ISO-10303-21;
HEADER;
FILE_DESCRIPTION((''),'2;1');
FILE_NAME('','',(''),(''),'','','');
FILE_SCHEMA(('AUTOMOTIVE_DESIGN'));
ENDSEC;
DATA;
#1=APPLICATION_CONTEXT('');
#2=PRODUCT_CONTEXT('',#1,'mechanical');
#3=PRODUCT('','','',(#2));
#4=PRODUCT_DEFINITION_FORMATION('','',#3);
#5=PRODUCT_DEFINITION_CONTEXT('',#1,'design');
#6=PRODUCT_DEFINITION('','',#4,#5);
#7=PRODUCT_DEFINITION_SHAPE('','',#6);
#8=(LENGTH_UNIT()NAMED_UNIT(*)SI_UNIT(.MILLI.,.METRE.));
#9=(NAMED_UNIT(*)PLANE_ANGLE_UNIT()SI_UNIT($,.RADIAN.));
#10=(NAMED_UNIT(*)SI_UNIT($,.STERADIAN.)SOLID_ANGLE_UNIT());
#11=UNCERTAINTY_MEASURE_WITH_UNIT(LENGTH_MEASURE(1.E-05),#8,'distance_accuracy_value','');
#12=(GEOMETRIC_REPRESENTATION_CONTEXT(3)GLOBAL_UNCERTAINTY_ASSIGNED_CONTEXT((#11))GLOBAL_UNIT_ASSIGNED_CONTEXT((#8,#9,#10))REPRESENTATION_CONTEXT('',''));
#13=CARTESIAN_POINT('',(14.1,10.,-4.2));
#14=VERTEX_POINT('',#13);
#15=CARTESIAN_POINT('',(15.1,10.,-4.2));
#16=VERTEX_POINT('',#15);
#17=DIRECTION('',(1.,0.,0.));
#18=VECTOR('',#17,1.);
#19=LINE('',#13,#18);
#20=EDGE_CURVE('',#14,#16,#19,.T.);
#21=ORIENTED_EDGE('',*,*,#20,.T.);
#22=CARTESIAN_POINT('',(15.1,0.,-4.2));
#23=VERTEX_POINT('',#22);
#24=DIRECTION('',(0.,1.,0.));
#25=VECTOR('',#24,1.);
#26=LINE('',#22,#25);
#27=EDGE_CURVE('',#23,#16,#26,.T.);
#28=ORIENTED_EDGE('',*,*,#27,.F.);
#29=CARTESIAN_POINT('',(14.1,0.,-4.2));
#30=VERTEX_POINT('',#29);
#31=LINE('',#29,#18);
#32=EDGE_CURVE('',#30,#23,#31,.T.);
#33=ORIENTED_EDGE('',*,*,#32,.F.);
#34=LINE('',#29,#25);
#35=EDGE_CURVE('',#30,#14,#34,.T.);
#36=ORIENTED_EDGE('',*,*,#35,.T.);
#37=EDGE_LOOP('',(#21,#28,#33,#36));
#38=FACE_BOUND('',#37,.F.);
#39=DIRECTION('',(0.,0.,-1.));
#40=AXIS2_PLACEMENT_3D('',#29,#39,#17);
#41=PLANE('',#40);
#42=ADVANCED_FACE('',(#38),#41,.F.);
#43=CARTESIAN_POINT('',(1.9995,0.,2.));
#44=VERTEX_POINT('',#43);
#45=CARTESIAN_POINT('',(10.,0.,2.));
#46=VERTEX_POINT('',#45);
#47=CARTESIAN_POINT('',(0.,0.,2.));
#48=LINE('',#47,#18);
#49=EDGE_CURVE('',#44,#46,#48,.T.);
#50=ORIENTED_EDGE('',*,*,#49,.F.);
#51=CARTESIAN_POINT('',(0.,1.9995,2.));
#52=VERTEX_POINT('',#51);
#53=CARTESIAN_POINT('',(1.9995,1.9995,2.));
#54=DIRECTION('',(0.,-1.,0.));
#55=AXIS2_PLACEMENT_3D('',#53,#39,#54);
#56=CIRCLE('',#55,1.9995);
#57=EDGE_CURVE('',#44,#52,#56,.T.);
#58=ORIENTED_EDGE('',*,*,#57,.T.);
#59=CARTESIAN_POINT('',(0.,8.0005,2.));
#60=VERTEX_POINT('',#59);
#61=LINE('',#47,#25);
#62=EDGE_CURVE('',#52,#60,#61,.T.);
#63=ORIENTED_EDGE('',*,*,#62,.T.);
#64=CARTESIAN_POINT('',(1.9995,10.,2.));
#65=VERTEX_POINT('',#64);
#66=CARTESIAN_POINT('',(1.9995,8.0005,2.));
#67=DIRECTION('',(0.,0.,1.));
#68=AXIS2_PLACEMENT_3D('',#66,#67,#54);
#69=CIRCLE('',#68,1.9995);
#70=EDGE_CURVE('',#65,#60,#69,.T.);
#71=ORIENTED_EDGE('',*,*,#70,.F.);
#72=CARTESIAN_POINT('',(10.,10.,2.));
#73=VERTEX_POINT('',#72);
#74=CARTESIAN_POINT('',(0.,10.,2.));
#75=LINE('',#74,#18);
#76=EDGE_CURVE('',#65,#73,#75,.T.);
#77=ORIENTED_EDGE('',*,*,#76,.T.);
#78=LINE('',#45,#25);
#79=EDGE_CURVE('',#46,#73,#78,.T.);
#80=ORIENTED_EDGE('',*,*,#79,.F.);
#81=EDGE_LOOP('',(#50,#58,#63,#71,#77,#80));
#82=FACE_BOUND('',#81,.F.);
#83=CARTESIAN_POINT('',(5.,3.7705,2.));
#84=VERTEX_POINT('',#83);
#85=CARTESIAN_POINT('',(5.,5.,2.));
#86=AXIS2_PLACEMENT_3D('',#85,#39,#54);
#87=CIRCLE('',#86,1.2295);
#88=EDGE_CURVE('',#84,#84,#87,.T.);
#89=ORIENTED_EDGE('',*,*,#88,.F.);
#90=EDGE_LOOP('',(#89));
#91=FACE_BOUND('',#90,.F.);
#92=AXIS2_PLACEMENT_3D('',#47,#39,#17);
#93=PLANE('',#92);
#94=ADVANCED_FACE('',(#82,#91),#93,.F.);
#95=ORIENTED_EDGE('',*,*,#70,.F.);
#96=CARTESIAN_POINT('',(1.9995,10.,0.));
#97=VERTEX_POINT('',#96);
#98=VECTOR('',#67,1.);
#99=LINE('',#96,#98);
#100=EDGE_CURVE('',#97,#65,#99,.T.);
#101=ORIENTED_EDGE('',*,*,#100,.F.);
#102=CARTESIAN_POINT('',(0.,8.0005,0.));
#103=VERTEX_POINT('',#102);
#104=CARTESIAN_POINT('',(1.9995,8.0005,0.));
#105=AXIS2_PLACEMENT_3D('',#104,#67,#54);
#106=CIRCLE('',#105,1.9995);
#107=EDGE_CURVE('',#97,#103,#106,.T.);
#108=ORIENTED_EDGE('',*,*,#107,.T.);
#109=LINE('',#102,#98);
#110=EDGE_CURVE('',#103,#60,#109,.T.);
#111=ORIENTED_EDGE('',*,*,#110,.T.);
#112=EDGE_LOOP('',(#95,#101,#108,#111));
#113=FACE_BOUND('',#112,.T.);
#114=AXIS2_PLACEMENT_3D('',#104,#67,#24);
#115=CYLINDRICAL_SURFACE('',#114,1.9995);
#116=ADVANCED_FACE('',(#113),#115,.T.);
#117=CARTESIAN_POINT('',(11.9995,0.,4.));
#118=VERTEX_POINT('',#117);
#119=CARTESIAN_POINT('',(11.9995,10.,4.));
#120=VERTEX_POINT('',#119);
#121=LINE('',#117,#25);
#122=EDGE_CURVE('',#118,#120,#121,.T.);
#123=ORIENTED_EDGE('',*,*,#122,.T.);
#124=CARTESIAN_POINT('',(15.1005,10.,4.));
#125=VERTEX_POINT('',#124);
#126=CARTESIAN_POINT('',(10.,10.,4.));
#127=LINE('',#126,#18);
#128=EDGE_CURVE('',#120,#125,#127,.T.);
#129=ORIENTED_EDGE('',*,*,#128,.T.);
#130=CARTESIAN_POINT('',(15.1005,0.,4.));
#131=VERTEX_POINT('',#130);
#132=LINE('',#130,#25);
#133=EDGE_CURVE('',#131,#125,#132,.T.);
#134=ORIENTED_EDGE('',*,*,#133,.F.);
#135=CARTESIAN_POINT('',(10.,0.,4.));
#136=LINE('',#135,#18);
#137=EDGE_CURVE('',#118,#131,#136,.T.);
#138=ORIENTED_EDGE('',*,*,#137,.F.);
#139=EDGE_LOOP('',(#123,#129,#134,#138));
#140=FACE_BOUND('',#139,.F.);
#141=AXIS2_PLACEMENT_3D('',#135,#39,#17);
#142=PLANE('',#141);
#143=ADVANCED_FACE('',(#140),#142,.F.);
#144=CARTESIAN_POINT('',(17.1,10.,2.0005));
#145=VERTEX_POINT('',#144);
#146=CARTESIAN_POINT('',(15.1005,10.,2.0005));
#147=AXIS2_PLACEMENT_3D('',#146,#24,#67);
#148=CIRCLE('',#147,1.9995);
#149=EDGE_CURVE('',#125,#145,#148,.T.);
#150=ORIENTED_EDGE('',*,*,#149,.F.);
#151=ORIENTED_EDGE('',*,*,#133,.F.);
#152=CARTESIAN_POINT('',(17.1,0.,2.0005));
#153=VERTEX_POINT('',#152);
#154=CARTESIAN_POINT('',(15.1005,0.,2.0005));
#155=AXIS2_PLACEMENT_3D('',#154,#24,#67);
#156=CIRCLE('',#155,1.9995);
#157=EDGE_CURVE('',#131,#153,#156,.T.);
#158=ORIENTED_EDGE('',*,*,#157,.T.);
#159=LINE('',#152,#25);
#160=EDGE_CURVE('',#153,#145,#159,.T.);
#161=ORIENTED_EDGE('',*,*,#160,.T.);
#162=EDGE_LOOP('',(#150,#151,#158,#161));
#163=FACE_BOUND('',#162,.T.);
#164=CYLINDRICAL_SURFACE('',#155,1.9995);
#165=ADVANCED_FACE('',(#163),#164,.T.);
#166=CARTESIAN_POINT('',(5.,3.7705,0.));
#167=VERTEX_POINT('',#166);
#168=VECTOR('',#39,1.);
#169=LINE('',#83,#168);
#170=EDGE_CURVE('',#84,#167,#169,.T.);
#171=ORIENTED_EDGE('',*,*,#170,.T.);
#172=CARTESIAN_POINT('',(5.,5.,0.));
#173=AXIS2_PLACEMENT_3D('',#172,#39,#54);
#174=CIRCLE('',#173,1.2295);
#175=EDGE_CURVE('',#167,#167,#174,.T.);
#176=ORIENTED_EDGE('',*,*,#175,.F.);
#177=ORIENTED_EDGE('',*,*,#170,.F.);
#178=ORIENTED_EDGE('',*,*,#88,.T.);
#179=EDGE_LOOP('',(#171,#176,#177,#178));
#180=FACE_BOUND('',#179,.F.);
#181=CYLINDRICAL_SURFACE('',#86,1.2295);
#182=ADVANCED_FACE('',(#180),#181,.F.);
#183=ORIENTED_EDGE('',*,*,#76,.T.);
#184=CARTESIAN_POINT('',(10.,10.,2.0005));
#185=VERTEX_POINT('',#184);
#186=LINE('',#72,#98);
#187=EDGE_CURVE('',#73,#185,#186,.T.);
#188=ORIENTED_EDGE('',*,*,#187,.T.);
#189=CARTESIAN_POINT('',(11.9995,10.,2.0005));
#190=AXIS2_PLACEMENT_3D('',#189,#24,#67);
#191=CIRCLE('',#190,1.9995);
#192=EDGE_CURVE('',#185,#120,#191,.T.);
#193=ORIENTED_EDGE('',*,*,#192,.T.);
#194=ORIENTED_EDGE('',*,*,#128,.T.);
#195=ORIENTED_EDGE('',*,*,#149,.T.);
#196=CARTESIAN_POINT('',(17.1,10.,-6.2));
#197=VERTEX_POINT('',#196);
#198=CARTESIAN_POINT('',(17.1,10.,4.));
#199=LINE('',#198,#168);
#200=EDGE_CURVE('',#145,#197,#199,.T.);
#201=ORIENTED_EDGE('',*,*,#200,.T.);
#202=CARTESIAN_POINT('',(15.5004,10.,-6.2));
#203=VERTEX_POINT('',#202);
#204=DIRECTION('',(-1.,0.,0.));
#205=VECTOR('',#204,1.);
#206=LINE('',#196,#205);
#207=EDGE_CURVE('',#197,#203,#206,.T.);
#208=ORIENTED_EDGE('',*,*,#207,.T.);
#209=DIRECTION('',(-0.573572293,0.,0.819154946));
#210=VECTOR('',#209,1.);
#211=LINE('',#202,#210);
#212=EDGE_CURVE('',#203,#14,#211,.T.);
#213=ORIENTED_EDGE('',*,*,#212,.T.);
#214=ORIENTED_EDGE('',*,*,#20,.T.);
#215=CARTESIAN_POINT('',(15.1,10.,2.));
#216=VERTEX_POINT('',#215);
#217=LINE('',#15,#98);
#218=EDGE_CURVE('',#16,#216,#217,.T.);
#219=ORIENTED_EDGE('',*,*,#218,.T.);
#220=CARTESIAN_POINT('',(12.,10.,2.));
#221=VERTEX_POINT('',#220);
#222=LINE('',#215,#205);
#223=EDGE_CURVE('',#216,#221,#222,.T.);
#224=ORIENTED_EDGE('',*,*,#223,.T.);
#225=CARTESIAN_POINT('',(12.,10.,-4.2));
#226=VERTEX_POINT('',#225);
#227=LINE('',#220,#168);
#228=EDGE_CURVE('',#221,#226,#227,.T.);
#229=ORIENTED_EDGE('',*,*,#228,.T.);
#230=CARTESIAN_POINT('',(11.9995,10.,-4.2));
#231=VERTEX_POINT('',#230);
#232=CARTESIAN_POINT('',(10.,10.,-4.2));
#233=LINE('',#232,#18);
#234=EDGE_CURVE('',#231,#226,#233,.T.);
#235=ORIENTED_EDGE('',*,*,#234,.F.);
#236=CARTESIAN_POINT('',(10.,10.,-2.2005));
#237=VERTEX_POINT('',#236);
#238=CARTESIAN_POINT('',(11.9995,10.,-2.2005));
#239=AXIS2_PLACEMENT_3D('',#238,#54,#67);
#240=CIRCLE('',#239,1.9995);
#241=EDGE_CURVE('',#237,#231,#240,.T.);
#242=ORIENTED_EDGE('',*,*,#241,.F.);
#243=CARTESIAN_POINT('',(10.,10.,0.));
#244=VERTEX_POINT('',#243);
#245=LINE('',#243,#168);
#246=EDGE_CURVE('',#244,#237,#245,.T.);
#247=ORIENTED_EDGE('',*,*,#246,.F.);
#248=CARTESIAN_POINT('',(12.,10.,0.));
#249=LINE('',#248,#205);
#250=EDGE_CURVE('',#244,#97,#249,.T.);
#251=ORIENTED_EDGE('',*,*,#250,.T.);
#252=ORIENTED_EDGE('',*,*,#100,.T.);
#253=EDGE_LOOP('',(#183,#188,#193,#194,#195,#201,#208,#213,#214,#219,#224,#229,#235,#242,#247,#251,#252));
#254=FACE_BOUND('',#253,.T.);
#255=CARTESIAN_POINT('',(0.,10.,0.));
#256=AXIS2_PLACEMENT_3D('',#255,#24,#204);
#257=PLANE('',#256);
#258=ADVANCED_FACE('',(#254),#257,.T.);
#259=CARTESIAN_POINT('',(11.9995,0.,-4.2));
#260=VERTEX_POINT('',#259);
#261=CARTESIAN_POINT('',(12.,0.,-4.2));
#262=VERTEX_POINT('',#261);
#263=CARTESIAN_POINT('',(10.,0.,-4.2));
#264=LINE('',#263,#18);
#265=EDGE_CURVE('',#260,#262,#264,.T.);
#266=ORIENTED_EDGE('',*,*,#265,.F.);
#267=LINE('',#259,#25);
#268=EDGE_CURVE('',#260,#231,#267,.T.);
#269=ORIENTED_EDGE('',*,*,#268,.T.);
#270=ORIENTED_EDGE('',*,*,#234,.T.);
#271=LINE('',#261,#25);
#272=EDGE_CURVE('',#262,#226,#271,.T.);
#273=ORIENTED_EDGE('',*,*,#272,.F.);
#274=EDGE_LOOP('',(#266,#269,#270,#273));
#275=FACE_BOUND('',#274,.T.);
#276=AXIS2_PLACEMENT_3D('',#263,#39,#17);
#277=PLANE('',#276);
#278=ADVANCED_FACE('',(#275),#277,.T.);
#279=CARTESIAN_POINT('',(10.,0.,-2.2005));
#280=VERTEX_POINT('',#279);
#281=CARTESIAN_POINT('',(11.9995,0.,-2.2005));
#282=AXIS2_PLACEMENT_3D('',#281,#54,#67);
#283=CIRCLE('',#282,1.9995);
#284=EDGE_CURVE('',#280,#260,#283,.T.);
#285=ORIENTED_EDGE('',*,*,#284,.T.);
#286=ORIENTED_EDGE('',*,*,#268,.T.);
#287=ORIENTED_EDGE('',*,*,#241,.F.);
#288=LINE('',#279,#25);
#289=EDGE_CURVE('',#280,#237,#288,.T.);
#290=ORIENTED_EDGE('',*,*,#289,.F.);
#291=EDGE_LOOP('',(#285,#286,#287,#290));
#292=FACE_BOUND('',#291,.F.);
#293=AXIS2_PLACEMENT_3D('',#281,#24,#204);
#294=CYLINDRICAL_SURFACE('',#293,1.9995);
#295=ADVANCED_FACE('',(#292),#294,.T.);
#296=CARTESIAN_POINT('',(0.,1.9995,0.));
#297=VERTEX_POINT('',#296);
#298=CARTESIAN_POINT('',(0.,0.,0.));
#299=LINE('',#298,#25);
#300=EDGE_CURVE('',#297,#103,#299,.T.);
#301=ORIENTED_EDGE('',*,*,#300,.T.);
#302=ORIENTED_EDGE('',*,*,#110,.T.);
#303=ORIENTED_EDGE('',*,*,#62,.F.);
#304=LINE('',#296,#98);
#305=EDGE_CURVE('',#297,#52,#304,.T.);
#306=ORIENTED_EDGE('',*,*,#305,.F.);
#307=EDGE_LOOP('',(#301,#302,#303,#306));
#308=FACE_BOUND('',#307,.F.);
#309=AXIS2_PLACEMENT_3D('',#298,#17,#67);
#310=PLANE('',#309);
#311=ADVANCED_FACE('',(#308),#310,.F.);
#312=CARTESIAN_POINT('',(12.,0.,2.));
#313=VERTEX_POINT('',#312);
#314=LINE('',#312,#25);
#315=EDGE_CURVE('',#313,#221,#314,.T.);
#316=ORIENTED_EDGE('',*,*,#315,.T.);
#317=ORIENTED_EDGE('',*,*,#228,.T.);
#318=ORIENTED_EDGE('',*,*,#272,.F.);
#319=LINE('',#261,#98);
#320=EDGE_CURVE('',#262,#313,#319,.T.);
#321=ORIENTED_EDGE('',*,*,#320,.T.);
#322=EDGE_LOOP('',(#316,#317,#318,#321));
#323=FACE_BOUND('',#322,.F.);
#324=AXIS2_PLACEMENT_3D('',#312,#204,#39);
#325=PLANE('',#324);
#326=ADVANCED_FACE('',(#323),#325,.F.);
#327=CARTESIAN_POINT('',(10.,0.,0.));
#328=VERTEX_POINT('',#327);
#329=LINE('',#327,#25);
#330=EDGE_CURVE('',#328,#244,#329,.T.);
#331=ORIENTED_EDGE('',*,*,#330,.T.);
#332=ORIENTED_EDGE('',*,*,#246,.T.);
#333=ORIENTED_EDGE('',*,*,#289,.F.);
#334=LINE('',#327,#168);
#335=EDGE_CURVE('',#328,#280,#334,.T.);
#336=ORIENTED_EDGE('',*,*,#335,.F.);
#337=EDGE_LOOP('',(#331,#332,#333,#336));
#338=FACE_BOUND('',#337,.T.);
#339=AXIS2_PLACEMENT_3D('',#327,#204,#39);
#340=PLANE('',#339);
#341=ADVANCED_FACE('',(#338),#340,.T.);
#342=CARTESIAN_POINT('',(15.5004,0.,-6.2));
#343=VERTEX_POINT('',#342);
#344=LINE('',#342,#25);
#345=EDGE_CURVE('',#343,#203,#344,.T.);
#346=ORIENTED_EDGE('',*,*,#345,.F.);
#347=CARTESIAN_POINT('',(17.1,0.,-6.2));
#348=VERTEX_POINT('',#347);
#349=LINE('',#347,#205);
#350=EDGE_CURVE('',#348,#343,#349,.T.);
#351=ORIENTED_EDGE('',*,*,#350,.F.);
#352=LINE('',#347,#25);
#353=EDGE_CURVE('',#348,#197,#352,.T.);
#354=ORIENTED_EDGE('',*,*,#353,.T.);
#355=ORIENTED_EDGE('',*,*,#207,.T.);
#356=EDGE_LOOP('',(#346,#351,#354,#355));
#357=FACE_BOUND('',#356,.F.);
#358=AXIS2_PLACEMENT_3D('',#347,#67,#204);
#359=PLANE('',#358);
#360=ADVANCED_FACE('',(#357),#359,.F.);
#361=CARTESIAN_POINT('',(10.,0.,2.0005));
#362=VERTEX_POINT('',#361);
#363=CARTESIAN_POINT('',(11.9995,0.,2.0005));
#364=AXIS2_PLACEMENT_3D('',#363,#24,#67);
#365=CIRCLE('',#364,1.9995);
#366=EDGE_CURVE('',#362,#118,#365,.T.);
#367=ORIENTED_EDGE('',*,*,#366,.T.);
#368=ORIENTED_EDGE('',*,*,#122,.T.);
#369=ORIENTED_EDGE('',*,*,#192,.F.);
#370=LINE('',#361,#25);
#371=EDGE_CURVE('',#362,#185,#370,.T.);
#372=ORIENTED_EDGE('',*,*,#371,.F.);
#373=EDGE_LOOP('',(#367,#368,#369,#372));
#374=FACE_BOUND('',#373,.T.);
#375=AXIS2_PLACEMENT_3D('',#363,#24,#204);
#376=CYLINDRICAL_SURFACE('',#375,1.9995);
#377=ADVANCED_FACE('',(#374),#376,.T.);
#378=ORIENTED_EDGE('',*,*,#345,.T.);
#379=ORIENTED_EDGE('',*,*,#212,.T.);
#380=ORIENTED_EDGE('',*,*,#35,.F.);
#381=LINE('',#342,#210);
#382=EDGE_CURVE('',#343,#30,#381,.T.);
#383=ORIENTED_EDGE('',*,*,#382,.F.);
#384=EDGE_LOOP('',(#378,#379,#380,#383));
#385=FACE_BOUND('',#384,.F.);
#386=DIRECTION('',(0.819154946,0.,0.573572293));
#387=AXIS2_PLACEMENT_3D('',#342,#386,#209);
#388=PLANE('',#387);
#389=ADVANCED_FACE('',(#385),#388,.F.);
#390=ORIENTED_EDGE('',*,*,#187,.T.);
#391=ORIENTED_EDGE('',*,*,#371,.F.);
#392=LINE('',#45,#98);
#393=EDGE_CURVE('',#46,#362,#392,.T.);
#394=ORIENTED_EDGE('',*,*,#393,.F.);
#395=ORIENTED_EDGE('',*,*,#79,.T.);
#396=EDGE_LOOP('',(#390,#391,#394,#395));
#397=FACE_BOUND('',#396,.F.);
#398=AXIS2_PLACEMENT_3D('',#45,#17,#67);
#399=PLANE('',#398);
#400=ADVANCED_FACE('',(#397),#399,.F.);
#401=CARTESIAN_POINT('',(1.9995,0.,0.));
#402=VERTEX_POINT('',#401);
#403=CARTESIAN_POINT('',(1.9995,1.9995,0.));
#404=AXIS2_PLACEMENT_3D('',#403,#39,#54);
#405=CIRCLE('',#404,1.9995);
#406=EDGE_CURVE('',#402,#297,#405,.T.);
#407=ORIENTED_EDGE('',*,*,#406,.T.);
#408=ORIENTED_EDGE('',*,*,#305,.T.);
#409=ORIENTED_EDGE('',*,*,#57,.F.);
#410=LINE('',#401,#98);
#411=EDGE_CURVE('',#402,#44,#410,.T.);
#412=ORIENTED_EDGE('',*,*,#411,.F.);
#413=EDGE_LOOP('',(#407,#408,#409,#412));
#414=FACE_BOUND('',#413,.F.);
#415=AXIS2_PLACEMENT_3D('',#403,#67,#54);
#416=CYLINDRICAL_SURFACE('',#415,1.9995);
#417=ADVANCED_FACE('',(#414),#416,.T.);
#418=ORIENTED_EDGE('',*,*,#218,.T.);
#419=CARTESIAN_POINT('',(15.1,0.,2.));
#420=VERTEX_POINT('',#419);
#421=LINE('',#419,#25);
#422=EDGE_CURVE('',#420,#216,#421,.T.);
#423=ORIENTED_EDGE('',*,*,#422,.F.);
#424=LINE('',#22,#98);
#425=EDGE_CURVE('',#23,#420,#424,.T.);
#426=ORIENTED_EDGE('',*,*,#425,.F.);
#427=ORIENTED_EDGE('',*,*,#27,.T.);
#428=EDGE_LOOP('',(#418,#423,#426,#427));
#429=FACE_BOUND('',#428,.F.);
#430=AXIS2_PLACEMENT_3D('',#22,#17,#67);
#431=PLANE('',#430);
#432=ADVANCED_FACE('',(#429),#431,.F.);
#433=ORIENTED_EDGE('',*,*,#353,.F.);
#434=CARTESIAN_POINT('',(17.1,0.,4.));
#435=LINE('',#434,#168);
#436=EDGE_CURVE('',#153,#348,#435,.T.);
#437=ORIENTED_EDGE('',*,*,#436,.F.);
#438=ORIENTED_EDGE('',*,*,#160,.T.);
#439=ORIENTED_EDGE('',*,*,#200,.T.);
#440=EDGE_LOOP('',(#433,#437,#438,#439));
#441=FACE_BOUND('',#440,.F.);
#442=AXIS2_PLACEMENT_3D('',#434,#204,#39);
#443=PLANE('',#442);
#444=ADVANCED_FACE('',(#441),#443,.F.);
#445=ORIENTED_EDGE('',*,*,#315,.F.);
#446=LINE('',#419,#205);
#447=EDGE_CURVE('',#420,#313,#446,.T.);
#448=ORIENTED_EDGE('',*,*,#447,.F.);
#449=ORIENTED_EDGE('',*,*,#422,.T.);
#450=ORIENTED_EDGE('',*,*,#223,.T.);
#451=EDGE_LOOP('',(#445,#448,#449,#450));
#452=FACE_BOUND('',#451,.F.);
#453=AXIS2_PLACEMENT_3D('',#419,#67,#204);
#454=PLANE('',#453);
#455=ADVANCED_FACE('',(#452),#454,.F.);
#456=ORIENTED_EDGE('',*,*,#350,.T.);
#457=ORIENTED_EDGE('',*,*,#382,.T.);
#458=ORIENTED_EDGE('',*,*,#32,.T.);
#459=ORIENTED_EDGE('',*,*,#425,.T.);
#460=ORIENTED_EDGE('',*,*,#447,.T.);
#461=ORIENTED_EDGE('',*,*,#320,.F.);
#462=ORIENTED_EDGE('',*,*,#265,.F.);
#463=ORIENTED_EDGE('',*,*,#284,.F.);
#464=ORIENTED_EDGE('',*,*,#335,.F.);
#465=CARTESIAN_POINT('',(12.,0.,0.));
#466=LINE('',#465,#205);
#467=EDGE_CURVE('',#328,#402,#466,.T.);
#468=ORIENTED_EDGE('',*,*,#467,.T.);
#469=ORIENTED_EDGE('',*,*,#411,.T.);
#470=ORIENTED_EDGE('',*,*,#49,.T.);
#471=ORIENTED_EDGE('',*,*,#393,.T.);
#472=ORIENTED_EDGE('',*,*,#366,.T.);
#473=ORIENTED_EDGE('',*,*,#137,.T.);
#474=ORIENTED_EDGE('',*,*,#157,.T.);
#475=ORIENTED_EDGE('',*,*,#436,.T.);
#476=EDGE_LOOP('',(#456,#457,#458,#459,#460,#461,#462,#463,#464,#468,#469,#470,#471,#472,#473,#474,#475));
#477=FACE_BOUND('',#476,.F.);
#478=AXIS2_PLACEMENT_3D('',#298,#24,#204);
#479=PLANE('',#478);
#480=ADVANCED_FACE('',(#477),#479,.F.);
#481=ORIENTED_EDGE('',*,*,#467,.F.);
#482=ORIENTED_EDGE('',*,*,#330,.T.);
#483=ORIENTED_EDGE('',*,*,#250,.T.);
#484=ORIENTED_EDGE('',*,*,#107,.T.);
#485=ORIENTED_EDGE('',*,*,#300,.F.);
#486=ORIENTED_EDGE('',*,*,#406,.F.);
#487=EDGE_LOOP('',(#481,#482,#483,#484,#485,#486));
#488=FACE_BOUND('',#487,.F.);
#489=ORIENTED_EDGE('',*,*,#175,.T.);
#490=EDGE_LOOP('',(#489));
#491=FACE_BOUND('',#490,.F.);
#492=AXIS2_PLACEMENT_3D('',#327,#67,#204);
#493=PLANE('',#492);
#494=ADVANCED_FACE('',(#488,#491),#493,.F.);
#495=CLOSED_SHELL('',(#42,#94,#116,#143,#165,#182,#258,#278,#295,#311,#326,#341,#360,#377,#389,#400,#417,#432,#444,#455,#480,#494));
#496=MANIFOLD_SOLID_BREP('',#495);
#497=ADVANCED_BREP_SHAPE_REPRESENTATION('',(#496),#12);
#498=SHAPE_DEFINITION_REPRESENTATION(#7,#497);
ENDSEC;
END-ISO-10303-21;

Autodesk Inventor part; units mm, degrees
ref_plane "YZ Plane" through (0, 0, 0) normal (1, 0, 0) x (0, 1, 0)
ref_plane "XZ Plane" through (0, 0, 0) normal (0, 1, 0) x (-1, 0, 0)
ref_plane "XY Plane" through (0, 0, 0) normal (0, 0, 1) x (1, 0, 0)
sketch "Esboço1" plane through (0, 0, 0) normal (0, 1, 0) x (-1, 0, 0)
  line L0 (0, 0) -> (0, 2)
  line L1 (0, 2) -> (-10, 2)
  line L2 (-10, 2) -> (-10, 4)
  line L3 (-10, 4) -> (-17.1, 4)
  line L4 (-17.1, 4) -> (-17.1, -6.2)
  line L5 (-17.1, -6.2) -> (-15.5004, -6.2)
  line L6 (-15.5004, -6.2) -> (-14.1, -4.2)
  line L7 (-14.1, -4.2) -> (-15.1, -4.2)
  line L8 (-15.1, -4.2) -> (-15.1, 2)
  line L9 (-15.1, 2) -> (-12, 2)
  line L10 (-12, 2) -> (-12, 0)
  line L11 (-12, 0) -> (0, 0)
  line L12 (-12, 0) -> (-11.1591, 0) construction
  line L13 (-10, 0) -> (-10, -4.2)
  line L14 (-10, -4.2) -> (-12, -4.2)
  line L15 (-12, -4.2) -> (-12, 0)
  line L16 (-11.1591, 0) -> (-10, 0) construction
  dimension "d0" = 2
  dimension "d1" = 55
  dimension "d2" = 10
  dimension "d3" = 6.2
  dimension "d4" = 2
  dimension "d5" = 2
  dimension "d6" = 2
  dimension "d7" = 3.1
  dimension "d8" = 1
  dimension "d10" = 2
  dimension "d11" = 2
  dimension "d12" = 12
  dimension "d25" = 2
extrude "Extrusão1" add sketch "Esboço1" along normal blind 10
sketch "Esboço2" plane through (0, 0, 2) normal (0, 0, 1) x (1, 0, 0)
  line L0 (0, 0) -> (0, 10) projected
  line L1 (0, 0) -> (10, 0) projected
  point P0 (5, 5)
  dimension "d15" = 5
  dimension "d16" = 5
hole "Furo1" at (5, 5, 2) direction (0, 0, -1) diameter 2.459 end through all thread size "M3x0.5" class "6H" standard "ISO Metric profile"
fillet "Arredondamento1" radius 2 5 edges at (17.1, 5, 4) (10, 5, 4) (0, 10, 1) (0, 0, 1) (10, 5, -4.2)
properties part number "cantoneira"
